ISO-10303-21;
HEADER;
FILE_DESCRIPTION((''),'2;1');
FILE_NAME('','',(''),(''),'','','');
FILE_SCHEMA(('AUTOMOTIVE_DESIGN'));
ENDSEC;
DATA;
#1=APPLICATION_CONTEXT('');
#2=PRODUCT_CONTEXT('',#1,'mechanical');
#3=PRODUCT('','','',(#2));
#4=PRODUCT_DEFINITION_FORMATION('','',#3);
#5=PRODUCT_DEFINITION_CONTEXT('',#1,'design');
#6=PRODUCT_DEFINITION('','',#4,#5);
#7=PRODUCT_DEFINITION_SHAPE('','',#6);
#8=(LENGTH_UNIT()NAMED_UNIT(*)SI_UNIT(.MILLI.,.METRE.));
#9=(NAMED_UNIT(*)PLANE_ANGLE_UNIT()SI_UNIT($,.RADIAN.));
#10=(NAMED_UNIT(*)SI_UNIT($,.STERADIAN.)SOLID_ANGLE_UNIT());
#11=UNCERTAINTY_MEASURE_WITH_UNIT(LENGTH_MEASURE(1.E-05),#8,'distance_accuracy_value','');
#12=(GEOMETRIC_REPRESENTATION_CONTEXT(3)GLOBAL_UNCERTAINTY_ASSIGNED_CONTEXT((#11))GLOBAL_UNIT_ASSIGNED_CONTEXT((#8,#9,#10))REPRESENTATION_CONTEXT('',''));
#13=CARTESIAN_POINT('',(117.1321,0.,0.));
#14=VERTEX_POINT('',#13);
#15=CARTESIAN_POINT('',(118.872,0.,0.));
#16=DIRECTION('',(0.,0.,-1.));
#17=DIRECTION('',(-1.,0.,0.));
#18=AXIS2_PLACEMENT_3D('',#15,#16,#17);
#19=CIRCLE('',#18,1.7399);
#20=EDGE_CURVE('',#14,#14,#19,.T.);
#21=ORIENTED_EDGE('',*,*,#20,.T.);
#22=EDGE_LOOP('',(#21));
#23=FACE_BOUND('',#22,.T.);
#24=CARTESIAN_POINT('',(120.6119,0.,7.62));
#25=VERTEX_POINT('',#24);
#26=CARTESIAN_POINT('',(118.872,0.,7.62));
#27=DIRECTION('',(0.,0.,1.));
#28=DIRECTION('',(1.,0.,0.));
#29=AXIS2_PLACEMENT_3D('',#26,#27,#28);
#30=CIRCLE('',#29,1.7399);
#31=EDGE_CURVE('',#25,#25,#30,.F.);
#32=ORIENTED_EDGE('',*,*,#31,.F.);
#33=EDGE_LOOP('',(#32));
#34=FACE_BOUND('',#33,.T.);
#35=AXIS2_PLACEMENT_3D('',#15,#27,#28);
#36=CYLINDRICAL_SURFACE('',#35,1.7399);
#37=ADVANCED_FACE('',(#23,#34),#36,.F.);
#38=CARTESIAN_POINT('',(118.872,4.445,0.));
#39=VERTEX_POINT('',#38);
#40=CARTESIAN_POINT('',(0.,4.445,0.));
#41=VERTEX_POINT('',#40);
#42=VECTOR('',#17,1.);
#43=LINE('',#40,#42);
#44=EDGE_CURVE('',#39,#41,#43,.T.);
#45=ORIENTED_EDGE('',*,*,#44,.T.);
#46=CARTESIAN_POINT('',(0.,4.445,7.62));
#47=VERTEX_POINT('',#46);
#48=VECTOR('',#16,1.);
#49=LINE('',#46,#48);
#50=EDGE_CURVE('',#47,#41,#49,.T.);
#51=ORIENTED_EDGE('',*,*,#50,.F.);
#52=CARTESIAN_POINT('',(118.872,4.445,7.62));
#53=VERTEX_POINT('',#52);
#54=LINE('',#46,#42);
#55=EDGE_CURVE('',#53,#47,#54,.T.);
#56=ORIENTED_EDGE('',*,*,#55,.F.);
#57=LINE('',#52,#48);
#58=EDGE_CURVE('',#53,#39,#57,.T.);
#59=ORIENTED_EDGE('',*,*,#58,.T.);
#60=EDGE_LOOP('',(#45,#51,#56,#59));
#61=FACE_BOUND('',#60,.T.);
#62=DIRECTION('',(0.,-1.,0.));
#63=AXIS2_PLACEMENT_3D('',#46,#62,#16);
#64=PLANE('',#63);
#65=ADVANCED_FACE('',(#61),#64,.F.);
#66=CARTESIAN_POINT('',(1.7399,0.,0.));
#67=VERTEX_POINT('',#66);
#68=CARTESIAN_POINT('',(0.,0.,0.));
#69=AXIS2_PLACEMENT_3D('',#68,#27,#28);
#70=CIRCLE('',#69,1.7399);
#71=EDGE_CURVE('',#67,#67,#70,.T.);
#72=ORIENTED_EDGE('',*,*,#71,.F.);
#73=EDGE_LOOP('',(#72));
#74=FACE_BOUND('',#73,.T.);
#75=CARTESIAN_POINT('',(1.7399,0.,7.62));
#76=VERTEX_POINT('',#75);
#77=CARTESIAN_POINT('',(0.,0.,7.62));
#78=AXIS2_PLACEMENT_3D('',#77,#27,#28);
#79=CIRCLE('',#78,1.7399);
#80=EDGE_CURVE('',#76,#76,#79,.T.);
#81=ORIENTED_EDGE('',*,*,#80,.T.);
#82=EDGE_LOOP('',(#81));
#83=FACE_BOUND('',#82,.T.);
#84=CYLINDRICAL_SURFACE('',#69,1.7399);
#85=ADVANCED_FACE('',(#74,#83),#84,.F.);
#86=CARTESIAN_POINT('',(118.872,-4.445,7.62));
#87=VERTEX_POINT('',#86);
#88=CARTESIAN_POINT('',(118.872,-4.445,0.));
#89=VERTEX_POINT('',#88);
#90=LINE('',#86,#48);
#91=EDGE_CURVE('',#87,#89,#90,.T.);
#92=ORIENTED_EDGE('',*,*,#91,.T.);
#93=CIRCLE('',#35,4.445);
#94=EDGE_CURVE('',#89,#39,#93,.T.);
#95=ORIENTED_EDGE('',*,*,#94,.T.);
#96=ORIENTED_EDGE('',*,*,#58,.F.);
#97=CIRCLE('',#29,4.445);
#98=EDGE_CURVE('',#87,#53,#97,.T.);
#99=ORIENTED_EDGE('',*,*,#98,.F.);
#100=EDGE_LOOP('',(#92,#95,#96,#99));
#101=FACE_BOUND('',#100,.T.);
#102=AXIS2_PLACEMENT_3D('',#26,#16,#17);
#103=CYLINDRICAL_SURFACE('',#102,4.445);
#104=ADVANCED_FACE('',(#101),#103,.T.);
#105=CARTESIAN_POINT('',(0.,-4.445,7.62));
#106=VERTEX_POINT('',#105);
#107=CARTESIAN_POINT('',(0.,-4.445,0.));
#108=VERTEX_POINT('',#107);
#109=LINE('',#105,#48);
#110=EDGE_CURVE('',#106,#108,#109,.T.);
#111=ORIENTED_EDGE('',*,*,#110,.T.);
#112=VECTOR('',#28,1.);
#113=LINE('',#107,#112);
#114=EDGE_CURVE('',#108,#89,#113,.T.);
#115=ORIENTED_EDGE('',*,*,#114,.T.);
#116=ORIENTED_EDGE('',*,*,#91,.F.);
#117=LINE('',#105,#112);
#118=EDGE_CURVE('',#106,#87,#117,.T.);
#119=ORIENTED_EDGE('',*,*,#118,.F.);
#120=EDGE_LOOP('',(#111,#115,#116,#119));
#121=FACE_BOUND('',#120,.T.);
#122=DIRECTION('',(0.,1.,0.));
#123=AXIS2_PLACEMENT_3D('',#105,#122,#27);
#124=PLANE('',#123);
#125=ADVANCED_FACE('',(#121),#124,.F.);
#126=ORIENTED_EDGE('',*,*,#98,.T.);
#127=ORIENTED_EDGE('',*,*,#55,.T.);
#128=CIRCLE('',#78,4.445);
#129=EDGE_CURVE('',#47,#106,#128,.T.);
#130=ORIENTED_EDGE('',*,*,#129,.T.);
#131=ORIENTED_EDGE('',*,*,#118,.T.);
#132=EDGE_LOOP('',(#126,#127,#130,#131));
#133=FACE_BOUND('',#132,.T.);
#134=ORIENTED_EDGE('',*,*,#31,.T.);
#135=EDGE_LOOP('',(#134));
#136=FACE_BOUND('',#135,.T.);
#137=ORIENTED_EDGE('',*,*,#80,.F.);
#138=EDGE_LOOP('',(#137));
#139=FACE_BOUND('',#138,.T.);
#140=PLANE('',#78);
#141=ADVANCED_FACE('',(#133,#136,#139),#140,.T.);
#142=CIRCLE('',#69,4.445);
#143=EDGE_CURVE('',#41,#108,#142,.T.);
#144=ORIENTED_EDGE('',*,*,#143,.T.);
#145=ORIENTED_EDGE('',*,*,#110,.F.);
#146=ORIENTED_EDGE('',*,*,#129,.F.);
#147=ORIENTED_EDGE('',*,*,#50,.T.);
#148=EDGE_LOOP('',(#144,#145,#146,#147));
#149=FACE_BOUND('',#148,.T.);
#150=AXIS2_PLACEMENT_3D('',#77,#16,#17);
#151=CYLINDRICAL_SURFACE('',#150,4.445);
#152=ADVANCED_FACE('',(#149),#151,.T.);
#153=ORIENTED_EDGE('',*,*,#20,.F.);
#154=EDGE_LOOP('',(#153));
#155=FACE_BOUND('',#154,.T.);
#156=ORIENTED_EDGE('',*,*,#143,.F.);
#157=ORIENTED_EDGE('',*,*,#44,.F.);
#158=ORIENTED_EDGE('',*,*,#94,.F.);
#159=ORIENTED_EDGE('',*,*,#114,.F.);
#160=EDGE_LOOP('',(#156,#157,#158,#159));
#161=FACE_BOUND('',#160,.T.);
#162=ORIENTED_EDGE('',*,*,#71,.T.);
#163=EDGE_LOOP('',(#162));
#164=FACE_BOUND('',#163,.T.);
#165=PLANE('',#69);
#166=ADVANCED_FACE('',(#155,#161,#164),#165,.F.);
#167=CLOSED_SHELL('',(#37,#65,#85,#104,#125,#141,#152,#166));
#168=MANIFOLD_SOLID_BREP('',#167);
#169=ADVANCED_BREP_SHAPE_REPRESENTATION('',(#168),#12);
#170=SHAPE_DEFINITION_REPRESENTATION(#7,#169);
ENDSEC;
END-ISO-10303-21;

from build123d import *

# Parameters (mm, degrees)
BOSS_EXTRUDE1_DEPTH = 7.62
CUT_EXTRUDE1_START  = -8.62
SKETCH2_R           = 1.7399
CUT_EXTRUDE1_DEPTH  = 9.62


with BuildPart() as part:
    # Sketch1 → Boss-Extrude1 (new body)
    with BuildSketch(Plane.XY):
        with BuildLine():
            Line((0, 4.445), (118.872, 4.445))
            ThreePointArc((118.872, 4.445), (123.317, 0), (118.872, -4.445))
            Line((118.872, -4.445), (0, -4.445))
            ThreePointArc((0, -4.445), (-4.445, 0), (0, 4.445))
        make_face()
    extrude(amount=BOSS_EXTRUDE1_DEPTH)

    # Sketch2 → Cut-Extrude1 (cut)
    with BuildSketch(Plane.XY.offset(7.62).offset(CUT_EXTRUDE1_START)):
        Circle(SKETCH2_R)
    cut_extrude1 = extrude(amount=CUT_EXTRUDE1_DEPTH, mode=Mode.SUBTRACT)

    # Mirror1: Cut-Extrude1 across plane
    add(cut_extrude1.mirror(Plane(origin=(59.436, 0, 0), x_dir=(0, 0, 1), z_dir=(1, 0, 0))), mode=Mode.SUBTRACT)


solid = part.part
